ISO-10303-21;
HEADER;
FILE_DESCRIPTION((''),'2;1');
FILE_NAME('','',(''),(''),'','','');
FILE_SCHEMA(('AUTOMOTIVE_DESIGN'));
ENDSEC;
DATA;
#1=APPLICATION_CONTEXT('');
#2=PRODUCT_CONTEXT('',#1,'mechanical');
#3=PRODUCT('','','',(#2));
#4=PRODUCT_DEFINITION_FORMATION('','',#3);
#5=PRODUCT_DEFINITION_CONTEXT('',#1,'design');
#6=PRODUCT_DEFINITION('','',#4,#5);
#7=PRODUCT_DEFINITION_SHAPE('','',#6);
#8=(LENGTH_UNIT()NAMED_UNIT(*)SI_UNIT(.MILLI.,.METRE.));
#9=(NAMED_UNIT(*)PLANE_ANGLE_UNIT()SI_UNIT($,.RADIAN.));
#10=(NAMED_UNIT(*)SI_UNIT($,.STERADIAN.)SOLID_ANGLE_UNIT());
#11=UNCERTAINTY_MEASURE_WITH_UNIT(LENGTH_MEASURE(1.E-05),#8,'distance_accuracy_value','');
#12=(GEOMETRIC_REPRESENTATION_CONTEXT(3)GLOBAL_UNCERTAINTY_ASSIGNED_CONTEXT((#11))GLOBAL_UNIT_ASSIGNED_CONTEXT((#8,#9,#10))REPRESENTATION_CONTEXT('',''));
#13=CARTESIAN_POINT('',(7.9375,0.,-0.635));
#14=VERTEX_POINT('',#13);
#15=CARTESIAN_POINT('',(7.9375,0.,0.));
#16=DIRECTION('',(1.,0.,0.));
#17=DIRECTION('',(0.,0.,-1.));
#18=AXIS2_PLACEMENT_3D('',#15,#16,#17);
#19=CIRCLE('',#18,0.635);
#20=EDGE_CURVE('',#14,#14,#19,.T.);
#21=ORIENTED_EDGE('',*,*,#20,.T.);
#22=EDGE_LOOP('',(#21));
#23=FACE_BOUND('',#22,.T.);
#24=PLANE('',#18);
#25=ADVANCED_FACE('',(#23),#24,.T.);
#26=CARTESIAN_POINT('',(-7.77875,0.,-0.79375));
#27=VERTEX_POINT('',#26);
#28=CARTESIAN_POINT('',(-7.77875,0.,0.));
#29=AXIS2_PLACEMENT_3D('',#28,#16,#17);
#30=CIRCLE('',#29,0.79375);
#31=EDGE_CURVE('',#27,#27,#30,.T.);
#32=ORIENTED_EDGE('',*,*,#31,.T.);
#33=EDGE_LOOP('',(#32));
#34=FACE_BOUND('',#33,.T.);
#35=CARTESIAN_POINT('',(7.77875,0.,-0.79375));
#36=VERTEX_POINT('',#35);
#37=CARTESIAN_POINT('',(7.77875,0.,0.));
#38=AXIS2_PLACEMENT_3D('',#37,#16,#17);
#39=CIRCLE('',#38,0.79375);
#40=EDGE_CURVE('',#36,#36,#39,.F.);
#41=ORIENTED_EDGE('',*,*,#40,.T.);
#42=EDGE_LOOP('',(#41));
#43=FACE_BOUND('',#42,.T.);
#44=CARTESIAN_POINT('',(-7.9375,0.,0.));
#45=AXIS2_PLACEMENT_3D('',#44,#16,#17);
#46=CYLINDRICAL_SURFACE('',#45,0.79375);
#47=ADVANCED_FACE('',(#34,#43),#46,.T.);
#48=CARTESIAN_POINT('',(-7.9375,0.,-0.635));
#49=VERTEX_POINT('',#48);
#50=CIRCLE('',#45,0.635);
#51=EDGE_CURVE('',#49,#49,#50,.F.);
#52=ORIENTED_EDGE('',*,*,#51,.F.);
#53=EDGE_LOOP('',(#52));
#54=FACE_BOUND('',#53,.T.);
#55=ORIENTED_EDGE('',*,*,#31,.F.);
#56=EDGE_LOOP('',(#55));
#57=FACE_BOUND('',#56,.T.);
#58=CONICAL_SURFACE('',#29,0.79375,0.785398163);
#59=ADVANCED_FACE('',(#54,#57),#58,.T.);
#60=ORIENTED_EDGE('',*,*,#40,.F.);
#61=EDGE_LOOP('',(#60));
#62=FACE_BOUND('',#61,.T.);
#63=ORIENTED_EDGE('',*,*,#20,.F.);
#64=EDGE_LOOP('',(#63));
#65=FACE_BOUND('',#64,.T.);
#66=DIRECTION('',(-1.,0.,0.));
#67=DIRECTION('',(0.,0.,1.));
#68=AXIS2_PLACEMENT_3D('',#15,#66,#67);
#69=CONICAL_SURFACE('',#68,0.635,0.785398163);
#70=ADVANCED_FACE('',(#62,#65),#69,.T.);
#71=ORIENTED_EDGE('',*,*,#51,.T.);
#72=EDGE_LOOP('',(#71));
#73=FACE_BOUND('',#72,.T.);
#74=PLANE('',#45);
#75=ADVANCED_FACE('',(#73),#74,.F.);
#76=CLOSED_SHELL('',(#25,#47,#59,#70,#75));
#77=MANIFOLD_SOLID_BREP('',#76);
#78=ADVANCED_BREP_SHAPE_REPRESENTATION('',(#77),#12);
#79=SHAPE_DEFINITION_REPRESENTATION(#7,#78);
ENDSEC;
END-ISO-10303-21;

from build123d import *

# Parameters (mm, degrees)
SKETCH2_R           = 0.79375
EXTRUDE1_DEPTH      = 7.9375
EXTRUDE1_DEPTH_BACK = 7.9375
CHAMFER1_SIZE       = 0.15875


with BuildPart() as part:
    # Sketch2 → Extrude1 (new body, two sides)
    with BuildSketch(Plane(origin=(0, 0, 0), x_dir=(0, 0, -1), z_dir=(1, 0, 0))) as extrude1_sk:
        Circle(SKETCH2_R)
    extrude(amount=EXTRUDE1_DEPTH)
    extrude(extrude1_sk.sketch, amount=-EXTRUDE1_DEPTH_BACK)

    # Chamfer1
    chamfer1_edges = [part.edges().sort_by_distance(p)[0] for p in [
        (-7.9375, 0, 0.79375),
        (7.9375, 0, 0.79375),
    ]]
    chamfer(chamfer1_edges, length=CHAMFER1_SIZE)


solid = part.part
